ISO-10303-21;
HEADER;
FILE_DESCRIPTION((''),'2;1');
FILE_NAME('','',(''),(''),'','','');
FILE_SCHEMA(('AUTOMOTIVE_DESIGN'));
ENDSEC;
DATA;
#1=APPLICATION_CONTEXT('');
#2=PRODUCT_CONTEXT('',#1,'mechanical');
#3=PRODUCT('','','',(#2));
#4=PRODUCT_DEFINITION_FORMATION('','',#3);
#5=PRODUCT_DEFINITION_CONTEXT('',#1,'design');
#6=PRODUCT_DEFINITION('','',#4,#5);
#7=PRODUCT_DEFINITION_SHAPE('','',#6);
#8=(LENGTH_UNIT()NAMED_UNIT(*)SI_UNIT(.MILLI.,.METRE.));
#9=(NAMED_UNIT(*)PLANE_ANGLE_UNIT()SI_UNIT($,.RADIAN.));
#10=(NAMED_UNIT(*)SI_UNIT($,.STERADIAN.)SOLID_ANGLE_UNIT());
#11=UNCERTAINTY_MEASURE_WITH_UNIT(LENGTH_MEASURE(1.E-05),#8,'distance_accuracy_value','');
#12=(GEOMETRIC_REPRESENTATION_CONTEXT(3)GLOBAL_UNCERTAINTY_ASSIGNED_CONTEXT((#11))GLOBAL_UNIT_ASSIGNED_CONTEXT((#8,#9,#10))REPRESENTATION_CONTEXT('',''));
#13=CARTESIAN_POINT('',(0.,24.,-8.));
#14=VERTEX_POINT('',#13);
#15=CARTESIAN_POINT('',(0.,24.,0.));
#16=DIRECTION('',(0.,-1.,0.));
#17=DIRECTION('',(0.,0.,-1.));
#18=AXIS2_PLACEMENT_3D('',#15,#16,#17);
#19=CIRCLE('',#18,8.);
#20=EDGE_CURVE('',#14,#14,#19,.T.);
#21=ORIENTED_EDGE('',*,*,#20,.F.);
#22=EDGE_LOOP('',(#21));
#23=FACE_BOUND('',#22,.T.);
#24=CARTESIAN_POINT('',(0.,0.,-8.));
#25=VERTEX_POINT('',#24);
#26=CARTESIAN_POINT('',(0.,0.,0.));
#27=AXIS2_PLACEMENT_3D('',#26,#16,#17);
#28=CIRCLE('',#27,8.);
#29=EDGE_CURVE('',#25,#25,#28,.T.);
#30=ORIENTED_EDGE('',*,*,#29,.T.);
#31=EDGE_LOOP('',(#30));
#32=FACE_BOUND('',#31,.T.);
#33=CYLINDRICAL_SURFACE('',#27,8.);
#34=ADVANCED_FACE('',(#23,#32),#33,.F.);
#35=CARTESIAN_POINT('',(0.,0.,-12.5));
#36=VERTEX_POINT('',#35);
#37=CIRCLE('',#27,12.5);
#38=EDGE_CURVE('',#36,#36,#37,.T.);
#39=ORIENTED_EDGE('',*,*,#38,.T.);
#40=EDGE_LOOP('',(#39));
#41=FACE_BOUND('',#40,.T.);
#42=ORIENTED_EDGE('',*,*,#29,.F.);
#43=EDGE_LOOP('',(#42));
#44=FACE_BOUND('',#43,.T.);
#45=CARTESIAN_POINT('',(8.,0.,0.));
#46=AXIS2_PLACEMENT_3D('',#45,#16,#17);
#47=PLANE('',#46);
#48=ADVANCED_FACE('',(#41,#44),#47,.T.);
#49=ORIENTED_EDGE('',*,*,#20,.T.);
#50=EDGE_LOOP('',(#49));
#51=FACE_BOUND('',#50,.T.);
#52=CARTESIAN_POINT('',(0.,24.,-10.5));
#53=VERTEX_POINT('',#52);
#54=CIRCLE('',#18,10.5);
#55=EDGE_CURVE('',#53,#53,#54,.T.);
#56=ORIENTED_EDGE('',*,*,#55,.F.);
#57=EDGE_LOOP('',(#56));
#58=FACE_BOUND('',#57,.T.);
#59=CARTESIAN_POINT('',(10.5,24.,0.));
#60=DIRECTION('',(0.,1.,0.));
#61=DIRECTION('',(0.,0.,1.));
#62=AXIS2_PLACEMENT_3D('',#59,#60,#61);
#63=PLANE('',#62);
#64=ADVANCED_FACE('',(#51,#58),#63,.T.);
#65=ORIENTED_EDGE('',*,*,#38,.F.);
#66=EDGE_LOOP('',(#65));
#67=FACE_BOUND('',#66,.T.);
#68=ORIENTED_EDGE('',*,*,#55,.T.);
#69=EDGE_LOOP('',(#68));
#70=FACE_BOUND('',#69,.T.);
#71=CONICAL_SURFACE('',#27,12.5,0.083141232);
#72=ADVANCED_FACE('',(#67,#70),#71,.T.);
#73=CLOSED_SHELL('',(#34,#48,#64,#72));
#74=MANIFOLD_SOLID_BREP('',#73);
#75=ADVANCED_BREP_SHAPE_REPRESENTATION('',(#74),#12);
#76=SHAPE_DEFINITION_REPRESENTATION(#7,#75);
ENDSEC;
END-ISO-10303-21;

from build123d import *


with BuildPart() as part:
    # Sketch1 → Revolve1 (revolve)
    with BuildSketch(Plane.XY):
        Polygon((8, 0), (12.5, 0), (10.5, 24), (8, 24), align=None)
    revolve(axis=Axis((0, 0, 0), (0, 1, 0)))


solid = part.part
